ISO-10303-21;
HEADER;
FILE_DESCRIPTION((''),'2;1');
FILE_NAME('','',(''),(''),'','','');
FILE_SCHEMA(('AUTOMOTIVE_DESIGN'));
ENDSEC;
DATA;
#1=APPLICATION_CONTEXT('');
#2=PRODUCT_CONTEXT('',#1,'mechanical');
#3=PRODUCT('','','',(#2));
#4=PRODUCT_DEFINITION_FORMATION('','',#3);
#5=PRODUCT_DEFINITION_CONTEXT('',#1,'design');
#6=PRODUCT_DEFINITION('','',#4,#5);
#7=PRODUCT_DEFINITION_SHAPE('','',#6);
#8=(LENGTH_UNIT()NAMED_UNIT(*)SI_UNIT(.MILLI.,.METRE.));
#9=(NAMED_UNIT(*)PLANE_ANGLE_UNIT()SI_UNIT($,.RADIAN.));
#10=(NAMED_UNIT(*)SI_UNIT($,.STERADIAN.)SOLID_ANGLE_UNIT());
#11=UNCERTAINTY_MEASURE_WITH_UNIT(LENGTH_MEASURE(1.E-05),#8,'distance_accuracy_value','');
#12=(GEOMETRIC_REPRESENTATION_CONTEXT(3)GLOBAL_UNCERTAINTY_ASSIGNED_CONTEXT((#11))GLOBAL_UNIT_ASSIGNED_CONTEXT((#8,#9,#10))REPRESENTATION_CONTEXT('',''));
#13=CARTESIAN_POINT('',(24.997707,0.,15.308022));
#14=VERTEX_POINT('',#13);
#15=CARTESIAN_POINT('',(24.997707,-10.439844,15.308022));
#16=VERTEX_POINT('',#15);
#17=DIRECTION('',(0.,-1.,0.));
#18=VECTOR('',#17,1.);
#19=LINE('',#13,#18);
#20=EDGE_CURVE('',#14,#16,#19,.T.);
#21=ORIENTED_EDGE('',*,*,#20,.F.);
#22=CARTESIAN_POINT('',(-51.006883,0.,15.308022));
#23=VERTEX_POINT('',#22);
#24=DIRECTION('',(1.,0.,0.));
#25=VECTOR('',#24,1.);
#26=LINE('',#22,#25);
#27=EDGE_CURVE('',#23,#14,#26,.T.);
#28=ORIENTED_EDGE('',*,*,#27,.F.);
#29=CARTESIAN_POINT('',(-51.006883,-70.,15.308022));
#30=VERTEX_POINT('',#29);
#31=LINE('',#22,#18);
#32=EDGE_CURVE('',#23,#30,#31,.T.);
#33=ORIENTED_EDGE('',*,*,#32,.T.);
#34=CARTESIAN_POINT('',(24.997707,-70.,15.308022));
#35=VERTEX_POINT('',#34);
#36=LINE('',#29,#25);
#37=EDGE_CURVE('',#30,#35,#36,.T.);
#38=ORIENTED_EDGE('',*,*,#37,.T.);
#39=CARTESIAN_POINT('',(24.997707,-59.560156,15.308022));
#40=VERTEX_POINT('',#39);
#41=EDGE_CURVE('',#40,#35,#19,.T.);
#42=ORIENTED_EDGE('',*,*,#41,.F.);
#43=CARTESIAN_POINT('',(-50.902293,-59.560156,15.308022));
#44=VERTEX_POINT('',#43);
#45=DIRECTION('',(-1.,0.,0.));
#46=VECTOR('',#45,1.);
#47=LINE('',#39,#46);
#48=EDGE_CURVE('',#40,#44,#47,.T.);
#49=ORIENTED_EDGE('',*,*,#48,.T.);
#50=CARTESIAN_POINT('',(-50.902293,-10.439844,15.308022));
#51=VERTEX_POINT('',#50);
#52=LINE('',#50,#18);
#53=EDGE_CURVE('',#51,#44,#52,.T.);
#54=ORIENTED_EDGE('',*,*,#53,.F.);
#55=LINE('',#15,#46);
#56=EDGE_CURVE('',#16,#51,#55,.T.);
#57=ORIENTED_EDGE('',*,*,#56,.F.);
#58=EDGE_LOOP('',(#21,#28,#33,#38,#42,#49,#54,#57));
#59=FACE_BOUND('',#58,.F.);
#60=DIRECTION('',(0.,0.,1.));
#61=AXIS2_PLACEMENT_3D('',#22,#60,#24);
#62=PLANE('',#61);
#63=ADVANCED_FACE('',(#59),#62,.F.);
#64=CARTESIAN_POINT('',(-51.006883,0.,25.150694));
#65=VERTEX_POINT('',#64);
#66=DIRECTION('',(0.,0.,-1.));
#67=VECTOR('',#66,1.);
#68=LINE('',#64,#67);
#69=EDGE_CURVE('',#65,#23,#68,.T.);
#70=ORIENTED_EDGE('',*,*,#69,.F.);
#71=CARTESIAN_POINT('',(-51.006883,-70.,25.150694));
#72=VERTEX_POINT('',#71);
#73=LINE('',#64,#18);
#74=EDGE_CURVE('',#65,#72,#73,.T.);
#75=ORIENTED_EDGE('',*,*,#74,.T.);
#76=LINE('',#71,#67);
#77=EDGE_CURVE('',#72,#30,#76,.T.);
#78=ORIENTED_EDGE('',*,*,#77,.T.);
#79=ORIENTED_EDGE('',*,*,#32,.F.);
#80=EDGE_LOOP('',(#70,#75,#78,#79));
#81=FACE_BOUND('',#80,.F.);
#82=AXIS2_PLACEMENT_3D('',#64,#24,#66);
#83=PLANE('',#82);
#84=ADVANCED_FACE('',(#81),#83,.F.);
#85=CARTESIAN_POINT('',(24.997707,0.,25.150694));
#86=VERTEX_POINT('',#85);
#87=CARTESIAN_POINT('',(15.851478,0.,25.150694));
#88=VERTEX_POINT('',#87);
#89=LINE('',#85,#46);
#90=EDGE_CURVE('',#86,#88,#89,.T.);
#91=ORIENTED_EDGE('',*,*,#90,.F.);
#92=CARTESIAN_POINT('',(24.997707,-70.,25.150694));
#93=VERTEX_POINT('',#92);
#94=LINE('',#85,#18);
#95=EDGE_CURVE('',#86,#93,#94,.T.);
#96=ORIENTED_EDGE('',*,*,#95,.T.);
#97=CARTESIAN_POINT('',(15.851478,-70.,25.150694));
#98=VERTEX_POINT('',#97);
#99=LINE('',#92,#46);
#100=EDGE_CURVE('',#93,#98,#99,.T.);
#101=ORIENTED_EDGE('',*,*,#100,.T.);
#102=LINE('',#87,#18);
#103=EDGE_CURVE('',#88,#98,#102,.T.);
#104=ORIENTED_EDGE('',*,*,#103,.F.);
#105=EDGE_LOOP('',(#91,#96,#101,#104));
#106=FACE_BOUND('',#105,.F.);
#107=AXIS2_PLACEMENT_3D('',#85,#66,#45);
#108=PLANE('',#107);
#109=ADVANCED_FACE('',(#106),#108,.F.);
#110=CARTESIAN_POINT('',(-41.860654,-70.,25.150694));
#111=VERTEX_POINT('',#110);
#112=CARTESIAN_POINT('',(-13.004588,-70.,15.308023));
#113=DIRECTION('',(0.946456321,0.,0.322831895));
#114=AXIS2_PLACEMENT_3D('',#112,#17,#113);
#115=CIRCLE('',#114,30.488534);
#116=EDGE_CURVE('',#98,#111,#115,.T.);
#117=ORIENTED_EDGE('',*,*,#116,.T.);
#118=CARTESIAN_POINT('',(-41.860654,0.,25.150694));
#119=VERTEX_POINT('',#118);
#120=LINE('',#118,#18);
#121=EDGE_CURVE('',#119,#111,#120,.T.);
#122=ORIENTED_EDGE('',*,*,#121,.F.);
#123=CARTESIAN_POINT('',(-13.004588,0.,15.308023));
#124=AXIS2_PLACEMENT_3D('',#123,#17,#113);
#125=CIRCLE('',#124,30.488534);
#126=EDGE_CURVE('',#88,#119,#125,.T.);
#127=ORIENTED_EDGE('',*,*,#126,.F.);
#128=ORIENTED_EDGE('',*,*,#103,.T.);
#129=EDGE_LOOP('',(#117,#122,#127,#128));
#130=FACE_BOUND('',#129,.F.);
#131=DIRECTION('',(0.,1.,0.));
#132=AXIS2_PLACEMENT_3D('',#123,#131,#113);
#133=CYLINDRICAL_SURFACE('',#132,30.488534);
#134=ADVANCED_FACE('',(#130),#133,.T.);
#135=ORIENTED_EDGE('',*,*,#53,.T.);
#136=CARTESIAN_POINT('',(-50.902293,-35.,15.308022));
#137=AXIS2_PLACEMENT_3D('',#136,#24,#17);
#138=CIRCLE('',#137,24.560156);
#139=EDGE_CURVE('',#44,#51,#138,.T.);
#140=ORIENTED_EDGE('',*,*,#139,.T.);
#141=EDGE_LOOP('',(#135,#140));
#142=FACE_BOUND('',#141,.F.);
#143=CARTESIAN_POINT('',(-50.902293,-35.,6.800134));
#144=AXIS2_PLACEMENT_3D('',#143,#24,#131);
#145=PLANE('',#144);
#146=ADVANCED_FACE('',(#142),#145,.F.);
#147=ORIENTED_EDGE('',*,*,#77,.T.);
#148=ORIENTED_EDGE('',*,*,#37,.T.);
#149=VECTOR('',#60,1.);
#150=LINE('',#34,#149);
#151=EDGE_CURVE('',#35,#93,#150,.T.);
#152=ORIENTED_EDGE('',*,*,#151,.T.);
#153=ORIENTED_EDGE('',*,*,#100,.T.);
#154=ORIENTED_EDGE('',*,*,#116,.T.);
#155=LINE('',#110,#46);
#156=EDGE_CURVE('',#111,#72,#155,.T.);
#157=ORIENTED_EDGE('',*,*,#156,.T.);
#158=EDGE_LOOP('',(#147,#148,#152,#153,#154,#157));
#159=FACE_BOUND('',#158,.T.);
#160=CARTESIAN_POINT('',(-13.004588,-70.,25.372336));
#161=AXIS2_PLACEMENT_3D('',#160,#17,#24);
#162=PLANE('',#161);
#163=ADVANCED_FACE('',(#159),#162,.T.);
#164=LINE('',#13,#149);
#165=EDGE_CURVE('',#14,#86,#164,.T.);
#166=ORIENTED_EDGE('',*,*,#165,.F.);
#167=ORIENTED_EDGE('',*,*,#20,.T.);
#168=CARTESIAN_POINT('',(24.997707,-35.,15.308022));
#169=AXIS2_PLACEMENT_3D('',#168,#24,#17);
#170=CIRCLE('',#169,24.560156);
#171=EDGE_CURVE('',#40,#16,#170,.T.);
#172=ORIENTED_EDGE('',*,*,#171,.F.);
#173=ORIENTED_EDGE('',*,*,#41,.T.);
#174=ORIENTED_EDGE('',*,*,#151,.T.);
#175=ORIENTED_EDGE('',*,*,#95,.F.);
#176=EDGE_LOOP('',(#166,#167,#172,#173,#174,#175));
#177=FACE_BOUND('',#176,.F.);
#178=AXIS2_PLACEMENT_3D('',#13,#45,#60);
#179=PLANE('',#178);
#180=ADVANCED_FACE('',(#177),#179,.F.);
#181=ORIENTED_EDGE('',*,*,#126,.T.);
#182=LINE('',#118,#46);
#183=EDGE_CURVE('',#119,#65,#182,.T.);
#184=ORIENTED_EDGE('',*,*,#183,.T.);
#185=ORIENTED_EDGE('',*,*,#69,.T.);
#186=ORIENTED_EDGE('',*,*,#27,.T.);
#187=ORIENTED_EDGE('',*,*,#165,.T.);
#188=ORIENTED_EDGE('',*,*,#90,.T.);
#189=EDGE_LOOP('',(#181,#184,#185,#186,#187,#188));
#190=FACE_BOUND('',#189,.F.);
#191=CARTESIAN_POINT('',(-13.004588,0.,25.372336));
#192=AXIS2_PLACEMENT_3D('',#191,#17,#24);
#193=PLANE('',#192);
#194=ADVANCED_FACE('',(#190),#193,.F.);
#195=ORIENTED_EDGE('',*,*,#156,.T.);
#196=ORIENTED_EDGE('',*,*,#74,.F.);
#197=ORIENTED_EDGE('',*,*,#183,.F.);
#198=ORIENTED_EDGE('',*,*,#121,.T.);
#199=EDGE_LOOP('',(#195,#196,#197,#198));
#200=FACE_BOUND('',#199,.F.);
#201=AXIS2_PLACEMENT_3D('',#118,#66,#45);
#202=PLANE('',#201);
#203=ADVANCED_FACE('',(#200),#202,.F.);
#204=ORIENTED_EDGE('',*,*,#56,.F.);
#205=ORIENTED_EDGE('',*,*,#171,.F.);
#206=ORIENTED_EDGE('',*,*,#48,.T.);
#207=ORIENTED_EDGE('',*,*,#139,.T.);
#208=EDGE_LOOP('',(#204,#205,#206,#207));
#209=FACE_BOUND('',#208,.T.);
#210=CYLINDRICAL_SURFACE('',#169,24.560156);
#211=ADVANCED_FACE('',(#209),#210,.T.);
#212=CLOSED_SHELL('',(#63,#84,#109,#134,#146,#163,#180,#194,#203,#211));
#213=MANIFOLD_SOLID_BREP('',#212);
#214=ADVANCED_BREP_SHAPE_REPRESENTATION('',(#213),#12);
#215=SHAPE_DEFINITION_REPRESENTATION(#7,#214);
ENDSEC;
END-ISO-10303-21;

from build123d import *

# Parameters (mm, degrees)
F1_DEPTH = 70
F3_DEPTH = 75.9


with BuildPart() as f1:
    # F0 (on Front) → F1 (new body)
    with BuildSketch(Plane.XZ):
        with BuildLine():
            Line((-41.860654, 25.150694), (-51.006883, 25.150694))
            Line((-51.006883, 25.150694), (-51.006883, 15.308022))
            Line((-51.006883, 15.308022), (24.997707, 15.308022))
            Line((24.997707, 15.308022), (24.997707, 25.150694))
            Line((24.997707, 25.150694), (15.851478, 25.150694))
            ThreePointArc((15.851478, 25.150694), (-13.004588, 45.796557), (-41.860654, 25.150694))
        make_face()
    extrude(amount=F1_DEPTH)

    # F2 (on face) → F3 (join)
    with BuildSketch(Plane.YZ.offset(24.997707)):
        with BuildLine():
            Line((-10.439844, 15.308022), (-59.560156, 15.308022))
            ThreePointArc((-59.560156, 15.308022), (-35, -9.252134), (-10.439844, 15.308022))
        make_face()
    extrude(amount=-F3_DEPTH)


solid = f1.part
